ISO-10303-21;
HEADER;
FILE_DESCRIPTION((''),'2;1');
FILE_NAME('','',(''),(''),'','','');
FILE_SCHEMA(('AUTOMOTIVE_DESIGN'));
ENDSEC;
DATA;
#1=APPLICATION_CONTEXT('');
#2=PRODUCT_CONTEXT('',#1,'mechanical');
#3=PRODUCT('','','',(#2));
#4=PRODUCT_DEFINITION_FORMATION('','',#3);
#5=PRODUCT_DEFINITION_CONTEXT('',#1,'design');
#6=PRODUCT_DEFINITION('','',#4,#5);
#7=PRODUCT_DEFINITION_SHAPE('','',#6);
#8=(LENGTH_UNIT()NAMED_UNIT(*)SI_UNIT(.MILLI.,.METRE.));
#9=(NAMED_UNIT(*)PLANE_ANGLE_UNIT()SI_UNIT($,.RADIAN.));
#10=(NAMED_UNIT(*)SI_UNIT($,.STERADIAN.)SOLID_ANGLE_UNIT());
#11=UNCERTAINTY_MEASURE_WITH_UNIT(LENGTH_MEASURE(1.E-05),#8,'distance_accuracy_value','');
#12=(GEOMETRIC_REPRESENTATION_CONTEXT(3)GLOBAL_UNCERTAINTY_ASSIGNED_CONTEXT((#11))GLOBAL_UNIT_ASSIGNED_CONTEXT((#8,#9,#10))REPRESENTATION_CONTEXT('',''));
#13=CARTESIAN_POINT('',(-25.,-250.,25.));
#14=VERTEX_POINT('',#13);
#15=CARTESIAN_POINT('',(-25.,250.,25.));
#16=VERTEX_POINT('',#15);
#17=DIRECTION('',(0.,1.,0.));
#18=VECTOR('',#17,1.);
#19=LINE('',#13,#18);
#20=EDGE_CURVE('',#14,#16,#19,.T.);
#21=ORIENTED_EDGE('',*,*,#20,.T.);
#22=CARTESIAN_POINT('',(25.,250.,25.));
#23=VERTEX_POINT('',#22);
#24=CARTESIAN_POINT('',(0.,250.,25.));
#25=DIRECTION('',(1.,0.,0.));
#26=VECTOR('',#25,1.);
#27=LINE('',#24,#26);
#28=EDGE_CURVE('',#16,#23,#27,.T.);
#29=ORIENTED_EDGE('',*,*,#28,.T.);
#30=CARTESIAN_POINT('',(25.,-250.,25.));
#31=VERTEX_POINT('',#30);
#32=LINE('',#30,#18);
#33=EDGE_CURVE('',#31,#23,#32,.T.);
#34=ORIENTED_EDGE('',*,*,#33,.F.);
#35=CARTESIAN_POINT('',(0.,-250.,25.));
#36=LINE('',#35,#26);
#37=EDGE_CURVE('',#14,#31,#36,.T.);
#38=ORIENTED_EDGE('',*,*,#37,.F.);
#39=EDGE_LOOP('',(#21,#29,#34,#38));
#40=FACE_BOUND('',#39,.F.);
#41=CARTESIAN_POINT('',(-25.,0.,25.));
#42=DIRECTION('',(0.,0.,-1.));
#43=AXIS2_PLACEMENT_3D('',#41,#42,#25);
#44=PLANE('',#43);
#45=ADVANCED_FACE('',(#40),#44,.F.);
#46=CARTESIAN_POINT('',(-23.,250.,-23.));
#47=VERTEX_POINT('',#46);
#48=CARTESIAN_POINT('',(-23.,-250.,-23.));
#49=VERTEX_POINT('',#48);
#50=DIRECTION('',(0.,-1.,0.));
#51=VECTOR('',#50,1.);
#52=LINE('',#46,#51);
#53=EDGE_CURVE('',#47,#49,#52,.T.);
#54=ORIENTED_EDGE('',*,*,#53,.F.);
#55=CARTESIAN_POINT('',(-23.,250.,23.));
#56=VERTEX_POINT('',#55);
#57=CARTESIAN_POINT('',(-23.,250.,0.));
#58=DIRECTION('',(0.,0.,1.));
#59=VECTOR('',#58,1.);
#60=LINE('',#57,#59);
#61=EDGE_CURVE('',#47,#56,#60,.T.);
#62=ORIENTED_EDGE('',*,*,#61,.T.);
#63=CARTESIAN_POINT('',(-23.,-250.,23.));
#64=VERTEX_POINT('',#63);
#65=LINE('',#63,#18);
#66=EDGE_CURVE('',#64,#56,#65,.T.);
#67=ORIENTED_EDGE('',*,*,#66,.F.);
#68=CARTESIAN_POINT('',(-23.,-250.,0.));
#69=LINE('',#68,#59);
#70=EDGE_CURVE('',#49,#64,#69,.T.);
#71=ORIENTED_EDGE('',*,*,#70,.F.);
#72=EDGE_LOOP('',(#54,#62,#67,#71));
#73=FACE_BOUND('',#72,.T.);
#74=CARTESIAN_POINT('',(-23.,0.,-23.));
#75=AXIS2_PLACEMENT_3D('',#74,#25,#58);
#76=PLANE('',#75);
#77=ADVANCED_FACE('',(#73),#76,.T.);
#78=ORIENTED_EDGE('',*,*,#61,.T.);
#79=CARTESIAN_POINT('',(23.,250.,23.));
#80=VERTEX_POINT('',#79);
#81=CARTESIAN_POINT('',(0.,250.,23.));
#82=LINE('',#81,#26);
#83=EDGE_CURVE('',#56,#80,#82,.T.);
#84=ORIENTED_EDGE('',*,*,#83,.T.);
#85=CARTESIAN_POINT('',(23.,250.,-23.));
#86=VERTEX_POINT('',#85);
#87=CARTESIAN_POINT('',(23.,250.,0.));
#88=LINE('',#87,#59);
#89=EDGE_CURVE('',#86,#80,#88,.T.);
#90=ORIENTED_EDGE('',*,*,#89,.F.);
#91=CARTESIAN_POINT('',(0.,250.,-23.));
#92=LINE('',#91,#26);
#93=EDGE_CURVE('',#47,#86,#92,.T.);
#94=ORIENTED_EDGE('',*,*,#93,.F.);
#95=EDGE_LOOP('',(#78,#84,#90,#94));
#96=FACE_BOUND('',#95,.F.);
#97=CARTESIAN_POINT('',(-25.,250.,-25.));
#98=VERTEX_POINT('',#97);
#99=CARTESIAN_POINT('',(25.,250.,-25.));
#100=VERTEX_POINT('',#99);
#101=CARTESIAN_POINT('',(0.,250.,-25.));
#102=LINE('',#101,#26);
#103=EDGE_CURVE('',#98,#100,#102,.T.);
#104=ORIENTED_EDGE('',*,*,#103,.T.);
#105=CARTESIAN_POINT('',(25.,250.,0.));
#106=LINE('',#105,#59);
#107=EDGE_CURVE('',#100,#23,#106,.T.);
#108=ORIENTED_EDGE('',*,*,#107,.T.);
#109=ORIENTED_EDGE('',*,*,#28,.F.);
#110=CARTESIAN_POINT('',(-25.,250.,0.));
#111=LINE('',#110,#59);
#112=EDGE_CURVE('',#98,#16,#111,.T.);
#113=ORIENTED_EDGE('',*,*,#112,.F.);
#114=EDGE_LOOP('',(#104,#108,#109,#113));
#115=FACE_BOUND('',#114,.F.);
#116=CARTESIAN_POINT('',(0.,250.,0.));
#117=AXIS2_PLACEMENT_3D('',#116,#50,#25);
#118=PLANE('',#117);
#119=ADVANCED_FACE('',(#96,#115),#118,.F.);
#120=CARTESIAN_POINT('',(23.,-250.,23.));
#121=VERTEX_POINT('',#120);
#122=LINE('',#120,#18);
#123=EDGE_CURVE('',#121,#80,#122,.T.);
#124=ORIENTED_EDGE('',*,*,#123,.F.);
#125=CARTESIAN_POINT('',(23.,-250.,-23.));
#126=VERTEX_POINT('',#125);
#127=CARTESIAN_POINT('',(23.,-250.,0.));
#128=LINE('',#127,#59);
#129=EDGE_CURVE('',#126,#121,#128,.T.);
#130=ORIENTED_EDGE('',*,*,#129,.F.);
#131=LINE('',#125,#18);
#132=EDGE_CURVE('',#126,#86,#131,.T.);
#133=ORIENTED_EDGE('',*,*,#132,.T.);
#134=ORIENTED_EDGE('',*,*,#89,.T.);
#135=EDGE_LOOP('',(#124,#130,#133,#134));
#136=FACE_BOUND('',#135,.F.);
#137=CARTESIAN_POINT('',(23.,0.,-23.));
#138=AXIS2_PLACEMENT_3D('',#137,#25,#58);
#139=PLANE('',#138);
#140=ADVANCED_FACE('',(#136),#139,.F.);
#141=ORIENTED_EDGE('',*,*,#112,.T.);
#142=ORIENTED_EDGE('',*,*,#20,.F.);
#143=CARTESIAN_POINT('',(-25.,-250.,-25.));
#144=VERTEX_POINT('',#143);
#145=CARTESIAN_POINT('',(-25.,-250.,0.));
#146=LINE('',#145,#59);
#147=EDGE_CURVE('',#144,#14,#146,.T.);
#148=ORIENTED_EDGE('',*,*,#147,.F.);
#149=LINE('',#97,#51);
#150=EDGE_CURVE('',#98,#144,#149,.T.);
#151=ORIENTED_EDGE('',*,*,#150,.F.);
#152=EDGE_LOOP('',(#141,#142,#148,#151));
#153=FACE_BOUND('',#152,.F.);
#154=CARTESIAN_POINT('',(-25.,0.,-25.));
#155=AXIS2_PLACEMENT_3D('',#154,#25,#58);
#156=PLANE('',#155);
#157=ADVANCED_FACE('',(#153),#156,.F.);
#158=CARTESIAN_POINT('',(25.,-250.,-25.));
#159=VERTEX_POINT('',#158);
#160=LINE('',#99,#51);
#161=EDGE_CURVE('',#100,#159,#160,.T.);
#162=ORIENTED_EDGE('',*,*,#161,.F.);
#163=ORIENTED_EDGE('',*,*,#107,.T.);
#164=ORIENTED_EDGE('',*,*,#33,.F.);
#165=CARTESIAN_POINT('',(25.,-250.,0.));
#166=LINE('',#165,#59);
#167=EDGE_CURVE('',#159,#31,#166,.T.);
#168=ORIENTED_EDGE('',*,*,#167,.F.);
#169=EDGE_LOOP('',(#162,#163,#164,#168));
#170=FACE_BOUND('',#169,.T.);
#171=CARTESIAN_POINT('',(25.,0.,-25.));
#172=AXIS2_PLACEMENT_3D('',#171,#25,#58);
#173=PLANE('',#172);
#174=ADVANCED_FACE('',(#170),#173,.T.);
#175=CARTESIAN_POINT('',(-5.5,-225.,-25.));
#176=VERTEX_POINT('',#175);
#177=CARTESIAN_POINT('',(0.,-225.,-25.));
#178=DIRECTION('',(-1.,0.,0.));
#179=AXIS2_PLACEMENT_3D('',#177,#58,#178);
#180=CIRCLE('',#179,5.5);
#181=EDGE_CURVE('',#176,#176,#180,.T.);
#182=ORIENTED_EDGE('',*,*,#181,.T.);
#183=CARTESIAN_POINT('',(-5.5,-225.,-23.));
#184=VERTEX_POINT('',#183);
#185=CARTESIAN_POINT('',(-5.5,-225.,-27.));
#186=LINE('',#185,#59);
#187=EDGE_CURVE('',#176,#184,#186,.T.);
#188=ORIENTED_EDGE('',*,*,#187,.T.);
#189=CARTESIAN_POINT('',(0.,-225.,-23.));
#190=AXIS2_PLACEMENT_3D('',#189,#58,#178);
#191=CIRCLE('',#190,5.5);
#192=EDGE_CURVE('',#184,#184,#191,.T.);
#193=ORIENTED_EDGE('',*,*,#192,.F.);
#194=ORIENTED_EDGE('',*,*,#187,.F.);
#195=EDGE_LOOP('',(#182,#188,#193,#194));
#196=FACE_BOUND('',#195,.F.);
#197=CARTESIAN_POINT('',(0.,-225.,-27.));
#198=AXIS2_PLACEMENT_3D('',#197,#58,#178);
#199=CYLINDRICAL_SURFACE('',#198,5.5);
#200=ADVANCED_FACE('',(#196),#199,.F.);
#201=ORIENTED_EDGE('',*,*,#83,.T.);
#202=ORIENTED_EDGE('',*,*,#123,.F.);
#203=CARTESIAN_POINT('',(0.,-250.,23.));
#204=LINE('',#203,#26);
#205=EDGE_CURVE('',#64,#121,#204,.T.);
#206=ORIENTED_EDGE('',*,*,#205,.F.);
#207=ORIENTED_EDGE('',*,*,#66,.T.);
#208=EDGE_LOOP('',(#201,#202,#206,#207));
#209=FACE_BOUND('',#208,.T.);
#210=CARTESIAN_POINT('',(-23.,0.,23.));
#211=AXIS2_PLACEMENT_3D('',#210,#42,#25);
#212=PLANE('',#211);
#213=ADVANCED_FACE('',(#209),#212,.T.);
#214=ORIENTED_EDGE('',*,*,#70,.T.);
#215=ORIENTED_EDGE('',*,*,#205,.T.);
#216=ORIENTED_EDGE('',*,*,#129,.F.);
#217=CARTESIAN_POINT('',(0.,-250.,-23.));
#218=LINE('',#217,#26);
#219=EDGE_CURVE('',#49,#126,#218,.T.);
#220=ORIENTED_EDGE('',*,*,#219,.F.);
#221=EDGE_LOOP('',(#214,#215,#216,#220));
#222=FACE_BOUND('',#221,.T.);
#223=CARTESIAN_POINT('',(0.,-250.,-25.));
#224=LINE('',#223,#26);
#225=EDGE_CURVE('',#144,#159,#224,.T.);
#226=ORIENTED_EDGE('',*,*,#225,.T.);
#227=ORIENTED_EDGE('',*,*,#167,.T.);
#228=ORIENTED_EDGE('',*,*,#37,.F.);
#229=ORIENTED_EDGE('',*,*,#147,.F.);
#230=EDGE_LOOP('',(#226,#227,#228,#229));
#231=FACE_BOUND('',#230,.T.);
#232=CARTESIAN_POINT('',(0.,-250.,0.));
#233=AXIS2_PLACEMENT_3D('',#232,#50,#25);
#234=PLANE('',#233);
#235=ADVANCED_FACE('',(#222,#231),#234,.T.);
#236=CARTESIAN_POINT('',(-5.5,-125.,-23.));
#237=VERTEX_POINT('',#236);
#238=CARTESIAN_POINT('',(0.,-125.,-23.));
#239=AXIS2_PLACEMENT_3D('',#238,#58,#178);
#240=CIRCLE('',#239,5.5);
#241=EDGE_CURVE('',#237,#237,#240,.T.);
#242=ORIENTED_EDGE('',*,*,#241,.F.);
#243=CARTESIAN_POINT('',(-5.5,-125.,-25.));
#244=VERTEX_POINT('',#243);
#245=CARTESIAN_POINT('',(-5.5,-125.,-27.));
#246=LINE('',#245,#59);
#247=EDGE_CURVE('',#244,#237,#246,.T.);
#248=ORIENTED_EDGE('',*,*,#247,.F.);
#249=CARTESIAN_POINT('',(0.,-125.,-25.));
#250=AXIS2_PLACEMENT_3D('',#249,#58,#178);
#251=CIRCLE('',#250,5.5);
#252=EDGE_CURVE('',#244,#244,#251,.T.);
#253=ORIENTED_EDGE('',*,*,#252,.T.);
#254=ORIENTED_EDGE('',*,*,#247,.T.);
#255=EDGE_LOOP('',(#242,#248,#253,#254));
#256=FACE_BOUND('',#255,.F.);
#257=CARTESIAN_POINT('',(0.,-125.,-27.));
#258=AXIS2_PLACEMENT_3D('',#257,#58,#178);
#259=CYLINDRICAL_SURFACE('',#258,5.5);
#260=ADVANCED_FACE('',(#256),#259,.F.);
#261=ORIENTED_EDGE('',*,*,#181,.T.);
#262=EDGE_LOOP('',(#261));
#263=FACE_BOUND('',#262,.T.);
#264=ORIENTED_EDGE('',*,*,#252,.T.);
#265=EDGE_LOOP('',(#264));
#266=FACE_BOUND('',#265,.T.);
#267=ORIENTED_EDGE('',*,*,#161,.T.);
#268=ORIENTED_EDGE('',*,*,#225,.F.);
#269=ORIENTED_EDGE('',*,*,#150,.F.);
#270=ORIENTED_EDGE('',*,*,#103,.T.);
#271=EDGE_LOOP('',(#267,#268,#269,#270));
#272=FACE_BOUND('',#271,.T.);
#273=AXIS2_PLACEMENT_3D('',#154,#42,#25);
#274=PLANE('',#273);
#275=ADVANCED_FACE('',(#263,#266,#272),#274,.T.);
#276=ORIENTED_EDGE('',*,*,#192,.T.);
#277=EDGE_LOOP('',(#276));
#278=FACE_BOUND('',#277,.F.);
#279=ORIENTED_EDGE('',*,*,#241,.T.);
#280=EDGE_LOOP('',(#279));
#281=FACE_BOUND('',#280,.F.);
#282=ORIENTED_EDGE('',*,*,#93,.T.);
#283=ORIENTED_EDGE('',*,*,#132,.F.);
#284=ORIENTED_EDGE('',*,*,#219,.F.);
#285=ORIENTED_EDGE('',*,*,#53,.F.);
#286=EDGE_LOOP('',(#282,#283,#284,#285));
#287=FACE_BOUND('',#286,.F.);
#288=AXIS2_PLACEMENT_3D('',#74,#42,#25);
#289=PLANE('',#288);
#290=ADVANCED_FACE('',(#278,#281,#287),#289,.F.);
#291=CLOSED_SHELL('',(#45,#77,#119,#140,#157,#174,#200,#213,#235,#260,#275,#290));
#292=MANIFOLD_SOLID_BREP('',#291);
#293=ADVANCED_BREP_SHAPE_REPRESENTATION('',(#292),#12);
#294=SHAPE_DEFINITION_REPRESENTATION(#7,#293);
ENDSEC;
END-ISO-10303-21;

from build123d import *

# Parameters (mm, degrees)
F0_W     = 50
F0_H     = 50
F0_W_2   = 46
F0_H_2   = 46
F1_DEPTH = 250
F3_D     = 11
F3_DEPTH = 2
F3_TIP   = 3.3047334047


with BuildPart() as f1:
    # F0 (on Front) → F1 (new body, symmetric)
    with BuildSketch(Plane.XZ):
        Rectangle(F0_W, F0_H)
        Rectangle(F0_W_2, F0_H_2, mode=Mode.SUBTRACT)
    extrude(amount=F1_DEPTH, both=True)

    # F3
    with Locations(Plane(origin=(0, 0, -25), x_dir=(1, 0, 0), z_dir=(0, 0, -1))):
        with Locations((0, 225), (0, 125)):
            Hole(F3_D / 2, depth=F3_DEPTH)
            with Locations((0, 0, -(F3_DEPTH + F3_TIP / 2))):  # 118° drill point
                Cone(0, F3_D / 2, F3_TIP, mode=Mode.SUBTRACT)


solid = f1.part
